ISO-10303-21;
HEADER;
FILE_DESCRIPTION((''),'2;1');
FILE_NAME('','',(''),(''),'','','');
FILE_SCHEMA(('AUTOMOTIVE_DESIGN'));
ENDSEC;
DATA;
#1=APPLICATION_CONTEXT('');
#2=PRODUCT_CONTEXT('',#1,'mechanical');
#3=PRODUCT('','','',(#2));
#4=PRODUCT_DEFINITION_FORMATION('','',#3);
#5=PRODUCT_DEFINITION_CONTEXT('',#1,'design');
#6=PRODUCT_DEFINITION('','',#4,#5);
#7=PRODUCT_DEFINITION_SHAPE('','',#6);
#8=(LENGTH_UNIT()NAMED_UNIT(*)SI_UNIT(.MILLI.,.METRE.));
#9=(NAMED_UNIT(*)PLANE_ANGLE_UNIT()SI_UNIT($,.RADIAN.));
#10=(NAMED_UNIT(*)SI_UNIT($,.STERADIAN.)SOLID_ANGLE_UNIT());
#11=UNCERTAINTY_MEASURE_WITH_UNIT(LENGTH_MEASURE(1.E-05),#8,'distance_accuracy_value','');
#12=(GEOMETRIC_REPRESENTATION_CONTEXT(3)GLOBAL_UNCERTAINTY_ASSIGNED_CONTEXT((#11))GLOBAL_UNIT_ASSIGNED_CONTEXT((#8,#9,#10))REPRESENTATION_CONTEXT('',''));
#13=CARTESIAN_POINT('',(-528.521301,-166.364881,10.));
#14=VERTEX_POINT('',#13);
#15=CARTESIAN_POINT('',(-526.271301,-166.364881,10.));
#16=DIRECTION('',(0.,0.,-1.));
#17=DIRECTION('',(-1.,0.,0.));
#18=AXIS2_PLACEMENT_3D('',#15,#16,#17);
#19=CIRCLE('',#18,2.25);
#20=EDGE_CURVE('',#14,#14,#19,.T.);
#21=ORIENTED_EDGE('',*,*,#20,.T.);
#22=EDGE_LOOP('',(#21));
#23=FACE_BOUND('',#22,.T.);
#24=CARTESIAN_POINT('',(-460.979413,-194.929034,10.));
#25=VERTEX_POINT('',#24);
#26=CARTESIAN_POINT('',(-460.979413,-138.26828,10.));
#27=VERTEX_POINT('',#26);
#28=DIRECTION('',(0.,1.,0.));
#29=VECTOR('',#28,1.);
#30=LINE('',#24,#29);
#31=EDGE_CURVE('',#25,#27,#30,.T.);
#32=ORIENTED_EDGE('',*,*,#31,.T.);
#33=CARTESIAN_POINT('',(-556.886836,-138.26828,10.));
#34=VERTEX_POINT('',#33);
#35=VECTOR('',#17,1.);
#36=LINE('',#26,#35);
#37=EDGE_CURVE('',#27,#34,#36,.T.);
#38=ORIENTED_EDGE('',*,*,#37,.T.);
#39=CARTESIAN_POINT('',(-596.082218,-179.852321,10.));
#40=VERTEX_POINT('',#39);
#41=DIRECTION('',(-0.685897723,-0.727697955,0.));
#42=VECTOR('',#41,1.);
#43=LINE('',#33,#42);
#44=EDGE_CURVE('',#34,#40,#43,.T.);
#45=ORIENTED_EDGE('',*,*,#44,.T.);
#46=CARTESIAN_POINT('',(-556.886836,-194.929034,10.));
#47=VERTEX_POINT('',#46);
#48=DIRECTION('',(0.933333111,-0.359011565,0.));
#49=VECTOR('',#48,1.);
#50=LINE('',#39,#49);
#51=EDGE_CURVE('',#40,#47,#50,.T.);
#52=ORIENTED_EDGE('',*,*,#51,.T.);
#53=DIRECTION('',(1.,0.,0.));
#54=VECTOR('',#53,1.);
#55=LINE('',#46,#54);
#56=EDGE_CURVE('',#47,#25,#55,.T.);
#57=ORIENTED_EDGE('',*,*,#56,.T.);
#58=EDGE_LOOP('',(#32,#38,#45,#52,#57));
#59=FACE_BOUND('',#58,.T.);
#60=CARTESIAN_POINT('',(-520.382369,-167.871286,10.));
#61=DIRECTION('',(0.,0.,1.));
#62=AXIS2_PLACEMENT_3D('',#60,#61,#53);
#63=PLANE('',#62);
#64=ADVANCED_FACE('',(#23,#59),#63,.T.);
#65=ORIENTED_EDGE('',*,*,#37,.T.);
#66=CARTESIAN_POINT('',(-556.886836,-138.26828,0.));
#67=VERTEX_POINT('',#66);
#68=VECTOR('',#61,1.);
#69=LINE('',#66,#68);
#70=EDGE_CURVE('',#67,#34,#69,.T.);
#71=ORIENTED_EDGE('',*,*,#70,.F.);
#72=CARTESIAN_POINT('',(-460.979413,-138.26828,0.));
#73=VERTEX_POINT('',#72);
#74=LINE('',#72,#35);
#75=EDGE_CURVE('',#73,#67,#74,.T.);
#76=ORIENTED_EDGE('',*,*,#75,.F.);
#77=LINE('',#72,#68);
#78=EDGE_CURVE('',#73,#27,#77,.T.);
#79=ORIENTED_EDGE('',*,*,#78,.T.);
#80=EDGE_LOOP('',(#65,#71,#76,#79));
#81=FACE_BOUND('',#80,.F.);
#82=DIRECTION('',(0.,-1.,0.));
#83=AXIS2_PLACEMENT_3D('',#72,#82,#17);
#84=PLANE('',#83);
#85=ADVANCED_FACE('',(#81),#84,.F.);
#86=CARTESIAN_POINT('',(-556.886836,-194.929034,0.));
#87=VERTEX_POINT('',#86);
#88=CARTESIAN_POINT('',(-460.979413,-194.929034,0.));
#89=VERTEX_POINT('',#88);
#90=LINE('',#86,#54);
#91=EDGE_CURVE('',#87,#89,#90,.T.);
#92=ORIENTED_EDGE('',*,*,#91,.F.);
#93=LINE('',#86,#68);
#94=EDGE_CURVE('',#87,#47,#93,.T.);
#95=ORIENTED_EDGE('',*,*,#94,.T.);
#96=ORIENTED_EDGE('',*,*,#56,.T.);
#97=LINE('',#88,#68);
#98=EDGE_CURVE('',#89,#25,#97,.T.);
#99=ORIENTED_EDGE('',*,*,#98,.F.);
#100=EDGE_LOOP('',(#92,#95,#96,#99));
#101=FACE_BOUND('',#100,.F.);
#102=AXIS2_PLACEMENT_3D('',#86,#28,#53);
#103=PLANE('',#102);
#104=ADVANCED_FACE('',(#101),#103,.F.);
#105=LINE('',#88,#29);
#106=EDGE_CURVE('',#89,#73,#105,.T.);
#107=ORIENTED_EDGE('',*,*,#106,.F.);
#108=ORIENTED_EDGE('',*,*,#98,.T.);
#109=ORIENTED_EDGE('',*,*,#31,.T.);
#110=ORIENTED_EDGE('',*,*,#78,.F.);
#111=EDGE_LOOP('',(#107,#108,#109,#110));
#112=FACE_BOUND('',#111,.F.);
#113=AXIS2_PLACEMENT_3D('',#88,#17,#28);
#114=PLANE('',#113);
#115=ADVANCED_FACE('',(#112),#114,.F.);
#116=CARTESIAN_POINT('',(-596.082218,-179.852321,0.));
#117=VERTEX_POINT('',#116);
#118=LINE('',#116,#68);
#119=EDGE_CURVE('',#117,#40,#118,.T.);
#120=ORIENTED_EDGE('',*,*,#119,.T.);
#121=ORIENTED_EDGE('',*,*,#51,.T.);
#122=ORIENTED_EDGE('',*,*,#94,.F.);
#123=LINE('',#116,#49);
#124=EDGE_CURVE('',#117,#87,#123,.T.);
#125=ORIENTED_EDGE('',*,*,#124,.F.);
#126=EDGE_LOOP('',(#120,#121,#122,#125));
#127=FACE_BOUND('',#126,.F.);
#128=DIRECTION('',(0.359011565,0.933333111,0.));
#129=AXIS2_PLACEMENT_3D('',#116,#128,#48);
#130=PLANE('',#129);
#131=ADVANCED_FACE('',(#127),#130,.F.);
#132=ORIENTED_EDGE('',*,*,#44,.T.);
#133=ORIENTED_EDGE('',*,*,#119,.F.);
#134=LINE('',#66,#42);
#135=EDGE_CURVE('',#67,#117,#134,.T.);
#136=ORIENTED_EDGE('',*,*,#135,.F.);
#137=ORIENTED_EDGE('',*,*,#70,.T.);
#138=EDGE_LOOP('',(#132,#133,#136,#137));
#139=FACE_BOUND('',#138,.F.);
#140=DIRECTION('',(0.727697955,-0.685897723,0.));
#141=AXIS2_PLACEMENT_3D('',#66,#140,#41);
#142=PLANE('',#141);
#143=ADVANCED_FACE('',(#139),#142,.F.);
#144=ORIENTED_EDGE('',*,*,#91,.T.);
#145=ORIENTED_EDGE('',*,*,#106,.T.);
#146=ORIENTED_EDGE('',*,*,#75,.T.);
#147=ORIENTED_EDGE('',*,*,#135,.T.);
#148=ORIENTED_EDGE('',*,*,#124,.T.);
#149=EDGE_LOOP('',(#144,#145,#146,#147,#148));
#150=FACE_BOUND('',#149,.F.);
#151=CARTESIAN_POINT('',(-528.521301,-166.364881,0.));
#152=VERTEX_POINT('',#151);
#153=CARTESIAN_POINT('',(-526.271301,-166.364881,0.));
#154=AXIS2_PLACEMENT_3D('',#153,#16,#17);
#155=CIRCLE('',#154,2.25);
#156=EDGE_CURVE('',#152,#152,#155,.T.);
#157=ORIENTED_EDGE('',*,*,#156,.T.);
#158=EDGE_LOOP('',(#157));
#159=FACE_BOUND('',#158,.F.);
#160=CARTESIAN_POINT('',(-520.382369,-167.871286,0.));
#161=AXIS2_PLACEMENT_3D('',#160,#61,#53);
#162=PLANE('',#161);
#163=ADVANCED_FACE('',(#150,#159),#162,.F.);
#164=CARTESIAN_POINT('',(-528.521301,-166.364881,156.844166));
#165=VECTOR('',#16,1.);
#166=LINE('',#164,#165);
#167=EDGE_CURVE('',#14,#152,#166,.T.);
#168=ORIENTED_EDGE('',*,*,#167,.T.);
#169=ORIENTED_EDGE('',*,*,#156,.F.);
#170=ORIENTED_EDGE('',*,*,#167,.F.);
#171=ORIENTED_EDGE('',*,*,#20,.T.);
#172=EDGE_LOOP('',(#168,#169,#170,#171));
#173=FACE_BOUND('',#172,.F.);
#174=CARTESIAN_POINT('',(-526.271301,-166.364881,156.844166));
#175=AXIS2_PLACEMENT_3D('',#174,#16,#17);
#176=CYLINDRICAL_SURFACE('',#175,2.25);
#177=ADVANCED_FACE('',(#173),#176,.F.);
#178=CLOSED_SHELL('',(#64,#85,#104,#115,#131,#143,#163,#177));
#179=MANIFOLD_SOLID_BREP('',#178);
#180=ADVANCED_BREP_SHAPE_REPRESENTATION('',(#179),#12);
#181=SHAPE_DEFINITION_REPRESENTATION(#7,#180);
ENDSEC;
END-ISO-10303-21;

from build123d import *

# Parameters (mm, degrees)
BOSS_EXTRU_1_DEPTH = 10
D_GAGEMENT_M42_D   = 4.5


with BuildPart() as part:
    # ref externes (internes) → Boss.-Extru.1 (new body)
    with BuildSketch(Plane.XY):
        Polygon((-460.979412649, -138.268279633), (-556.886836405, -138.268279633), (-596.082218437, -179.852321051), (-556.886836405, -194.929034048), (-460.979412649, -194.929034048), align=None)
    extrude(amount=BOSS_EXTRU_1_DEPTH)

    # Dégagement M42 (through all)
    with Locations(Plane.XY.offset(10)):
        with Locations((-526.271300892, -166.364880695)):
            Hole(D_GAGEMENT_M42_D / 2)


solid = part.part
